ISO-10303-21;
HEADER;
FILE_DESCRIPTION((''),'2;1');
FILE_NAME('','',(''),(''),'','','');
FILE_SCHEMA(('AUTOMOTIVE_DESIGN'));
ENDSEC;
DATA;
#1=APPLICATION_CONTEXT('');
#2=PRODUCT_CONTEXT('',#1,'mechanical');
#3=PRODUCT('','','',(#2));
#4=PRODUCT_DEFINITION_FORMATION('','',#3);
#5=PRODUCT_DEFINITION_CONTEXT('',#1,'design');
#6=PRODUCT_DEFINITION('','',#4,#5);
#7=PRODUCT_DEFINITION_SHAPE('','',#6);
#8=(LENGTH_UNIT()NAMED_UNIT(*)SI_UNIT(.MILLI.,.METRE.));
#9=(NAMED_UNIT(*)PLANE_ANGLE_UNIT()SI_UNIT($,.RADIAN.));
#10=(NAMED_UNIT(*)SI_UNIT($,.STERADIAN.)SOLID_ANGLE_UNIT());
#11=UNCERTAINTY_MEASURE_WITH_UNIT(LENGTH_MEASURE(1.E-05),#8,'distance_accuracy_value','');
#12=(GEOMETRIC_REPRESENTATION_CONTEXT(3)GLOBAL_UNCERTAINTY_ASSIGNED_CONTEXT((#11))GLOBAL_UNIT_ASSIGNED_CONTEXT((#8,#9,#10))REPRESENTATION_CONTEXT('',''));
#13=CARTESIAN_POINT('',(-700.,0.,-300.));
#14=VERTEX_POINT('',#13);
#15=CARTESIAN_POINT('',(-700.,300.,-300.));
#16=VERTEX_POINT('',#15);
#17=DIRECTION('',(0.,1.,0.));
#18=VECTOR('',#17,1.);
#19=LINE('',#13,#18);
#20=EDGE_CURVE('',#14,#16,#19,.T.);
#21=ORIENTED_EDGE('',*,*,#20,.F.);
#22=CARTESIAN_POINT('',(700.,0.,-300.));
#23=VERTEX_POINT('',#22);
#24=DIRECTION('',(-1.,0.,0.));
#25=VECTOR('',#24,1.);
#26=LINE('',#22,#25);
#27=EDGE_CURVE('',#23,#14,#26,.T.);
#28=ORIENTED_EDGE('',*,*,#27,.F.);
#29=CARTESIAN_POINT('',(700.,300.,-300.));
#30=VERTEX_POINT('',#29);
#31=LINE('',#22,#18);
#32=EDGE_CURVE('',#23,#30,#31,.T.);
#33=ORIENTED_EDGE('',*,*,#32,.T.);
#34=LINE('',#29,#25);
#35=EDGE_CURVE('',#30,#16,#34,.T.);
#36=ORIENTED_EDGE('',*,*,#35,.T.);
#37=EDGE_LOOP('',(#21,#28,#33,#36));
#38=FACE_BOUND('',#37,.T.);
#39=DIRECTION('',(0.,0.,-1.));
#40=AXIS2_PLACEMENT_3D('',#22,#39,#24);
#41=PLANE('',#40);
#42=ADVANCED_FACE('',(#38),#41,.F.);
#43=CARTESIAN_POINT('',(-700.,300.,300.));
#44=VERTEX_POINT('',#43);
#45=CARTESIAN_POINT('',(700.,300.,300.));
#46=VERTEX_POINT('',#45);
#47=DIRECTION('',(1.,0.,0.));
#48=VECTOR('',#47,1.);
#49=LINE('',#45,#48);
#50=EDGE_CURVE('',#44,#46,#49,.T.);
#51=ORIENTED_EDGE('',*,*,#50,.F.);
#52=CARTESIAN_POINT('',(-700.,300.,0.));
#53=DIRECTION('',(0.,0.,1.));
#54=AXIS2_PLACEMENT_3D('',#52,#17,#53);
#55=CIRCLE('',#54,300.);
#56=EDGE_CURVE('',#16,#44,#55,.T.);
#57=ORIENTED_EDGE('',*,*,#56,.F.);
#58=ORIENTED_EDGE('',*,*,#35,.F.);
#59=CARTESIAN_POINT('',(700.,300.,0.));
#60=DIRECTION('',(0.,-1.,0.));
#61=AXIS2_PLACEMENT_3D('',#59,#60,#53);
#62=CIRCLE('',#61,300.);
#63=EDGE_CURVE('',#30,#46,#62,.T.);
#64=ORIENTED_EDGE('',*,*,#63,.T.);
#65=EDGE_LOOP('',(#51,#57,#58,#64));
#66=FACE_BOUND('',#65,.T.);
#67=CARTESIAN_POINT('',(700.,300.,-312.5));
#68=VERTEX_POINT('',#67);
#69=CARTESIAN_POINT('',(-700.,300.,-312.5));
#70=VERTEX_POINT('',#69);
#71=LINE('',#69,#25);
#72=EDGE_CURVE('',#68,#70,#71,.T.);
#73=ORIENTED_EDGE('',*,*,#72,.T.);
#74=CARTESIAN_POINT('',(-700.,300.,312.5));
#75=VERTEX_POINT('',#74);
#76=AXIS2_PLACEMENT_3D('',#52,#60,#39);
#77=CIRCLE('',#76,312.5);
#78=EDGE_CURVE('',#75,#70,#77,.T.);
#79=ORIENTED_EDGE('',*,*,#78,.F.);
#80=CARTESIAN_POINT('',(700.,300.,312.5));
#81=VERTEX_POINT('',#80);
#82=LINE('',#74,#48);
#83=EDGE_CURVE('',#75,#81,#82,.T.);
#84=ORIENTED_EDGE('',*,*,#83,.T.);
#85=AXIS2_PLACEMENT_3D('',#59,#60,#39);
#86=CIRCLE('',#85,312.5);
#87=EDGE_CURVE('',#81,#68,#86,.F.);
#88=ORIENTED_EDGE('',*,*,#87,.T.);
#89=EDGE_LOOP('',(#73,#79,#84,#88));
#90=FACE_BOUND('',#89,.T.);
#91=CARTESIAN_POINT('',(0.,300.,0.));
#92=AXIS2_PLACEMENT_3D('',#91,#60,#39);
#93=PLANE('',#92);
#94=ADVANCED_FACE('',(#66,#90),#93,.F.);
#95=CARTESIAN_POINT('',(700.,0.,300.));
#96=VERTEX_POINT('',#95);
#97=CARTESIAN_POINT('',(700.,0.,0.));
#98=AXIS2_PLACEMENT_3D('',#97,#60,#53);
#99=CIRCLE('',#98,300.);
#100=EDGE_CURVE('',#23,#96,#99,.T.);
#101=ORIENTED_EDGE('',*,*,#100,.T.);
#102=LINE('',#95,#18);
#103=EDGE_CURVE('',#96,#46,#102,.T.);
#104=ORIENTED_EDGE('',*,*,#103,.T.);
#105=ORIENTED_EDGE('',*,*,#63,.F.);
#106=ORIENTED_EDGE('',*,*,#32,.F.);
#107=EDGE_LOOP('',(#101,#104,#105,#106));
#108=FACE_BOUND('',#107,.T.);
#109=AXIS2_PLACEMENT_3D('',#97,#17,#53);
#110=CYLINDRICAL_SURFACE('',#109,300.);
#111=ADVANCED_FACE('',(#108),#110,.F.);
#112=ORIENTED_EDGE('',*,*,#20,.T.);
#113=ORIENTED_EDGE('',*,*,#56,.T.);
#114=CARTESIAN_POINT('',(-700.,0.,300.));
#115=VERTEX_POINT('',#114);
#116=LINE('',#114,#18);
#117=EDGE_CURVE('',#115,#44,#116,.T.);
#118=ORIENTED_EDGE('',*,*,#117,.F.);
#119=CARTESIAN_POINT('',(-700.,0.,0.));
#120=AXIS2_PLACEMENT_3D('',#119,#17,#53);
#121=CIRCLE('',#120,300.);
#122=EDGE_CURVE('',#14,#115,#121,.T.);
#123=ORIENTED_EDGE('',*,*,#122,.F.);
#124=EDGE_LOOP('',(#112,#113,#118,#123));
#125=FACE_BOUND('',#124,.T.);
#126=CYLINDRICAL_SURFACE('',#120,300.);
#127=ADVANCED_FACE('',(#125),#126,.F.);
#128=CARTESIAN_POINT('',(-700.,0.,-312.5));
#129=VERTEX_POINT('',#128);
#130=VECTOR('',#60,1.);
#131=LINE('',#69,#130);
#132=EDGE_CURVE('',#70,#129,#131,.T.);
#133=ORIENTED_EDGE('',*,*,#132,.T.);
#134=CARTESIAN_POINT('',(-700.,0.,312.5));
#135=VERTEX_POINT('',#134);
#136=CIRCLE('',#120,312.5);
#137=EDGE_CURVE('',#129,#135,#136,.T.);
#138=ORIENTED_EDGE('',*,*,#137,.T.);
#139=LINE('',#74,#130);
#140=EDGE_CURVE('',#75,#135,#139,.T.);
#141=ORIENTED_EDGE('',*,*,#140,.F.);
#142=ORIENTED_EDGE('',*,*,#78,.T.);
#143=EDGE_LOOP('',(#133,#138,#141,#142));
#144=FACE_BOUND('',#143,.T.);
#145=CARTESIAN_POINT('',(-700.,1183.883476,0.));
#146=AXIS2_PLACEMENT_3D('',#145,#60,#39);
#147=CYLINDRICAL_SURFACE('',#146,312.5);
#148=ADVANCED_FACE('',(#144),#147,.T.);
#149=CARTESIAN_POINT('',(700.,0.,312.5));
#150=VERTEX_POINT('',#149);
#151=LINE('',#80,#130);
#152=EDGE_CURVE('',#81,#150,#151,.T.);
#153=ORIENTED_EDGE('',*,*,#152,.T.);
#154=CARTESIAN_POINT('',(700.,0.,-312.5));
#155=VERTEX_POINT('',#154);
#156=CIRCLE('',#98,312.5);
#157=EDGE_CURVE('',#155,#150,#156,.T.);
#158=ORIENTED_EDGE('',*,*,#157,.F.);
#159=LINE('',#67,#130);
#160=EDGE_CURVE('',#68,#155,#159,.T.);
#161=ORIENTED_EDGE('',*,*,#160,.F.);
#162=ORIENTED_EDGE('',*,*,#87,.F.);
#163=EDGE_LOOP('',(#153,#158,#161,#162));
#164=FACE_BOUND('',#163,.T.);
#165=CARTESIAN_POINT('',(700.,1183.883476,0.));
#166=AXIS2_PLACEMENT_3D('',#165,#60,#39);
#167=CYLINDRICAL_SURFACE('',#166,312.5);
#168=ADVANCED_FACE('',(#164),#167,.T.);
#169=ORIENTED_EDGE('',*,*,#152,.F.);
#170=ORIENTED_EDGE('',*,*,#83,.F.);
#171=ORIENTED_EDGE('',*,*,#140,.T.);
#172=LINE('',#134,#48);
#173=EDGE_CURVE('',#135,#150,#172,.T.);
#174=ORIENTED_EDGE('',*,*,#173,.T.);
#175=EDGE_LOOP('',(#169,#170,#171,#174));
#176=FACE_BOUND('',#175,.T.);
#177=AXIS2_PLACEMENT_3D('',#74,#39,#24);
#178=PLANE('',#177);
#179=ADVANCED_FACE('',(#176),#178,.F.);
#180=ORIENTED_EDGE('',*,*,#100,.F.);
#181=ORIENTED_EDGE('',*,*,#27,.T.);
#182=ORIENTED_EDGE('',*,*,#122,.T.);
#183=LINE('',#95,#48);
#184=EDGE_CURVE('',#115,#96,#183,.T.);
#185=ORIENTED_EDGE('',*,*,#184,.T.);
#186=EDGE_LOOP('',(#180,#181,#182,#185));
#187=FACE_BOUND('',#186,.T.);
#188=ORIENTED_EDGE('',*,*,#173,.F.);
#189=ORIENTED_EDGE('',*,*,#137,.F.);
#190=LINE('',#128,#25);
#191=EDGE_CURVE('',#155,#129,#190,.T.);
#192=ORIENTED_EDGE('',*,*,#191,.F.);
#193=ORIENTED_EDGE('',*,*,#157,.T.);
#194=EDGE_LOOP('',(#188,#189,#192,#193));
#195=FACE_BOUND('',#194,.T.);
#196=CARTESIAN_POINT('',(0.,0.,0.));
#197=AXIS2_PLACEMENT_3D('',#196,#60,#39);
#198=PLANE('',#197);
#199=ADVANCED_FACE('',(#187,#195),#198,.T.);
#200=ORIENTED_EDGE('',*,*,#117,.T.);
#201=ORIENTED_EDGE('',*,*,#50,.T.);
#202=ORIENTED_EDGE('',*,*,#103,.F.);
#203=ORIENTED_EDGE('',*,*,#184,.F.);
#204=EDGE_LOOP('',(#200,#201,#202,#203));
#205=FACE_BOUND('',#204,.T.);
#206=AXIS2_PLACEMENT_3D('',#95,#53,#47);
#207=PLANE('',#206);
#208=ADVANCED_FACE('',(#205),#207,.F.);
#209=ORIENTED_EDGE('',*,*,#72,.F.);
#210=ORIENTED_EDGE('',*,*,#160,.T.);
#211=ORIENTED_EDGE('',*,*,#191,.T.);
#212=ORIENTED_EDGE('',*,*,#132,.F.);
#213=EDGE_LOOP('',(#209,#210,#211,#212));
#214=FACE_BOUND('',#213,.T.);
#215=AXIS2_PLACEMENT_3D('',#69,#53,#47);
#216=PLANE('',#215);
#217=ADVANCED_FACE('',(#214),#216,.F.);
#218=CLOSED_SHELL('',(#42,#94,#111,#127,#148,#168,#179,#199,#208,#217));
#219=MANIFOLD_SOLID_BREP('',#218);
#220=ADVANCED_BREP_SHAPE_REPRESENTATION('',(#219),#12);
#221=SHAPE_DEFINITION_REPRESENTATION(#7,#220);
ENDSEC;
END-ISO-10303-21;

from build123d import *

# Parameters (mm, degrees)
SKIZZE3_W                       = 1400
SKIZZE3_H                       = 625
AUFSATZ_LINEAR_AUSTRAGEN1_DEPTH = 300
SKIZZE4_R                       = 312.5
AUFSATZ_LINEAR_AUSTRAGEN2_DEPTH = 300
SKIZZE5_W                       = 1400
SKIZZE5_H                       = 600
SCHNITT_LINEAR_AUSTRAGEN1_DEPTH = 1102.277667076
SKIZZE6_R                       = 300
SCHNITT_LINEAR_AUSTRAGEN2_DEPTH = 1102.277667076


with BuildPart() as part:
    # Skizze3 → Aufsatz-Linear austragen1 (new body)
    with BuildSketch(Plane(origin=(0, 0, 0), x_dir=(1, 0, 0), z_dir=(0, 1, 0))):
        Rectangle(SKIZZE3_W, SKIZZE3_H)
    extrude(amount=AUFSATZ_LINEAR_AUSTRAGEN1_DEPTH)

    # Skizze4 → Aufsatz-Linear austragen2 (add)
    with BuildSketch(Plane(origin=(0, 0, 0), x_dir=(1, 0, 0), z_dir=(0, 1, 0))):
        with Locations((-700, 0)):
            Circle(SKIZZE4_R)
    aufsatz_linear_austragen2 = extrude(amount=AUFSATZ_LINEAR_AUSTRAGEN2_DEPTH)

    # Spiegeln1: Aufsatz-Linear austragen2 across plane
    add(aufsatz_linear_austragen2.mirror(Plane(origin=(0, 0, 0), x_dir=(0, 0, 1), z_dir=(1, 0, 0))))

    # Skizze5 → Schnitt-Linear austragen1 (cut, through all)
    with BuildSketch(Plane(origin=(0, 300, 0), x_dir=(1, 0, 0), z_dir=(0, 1, 0))):
        Rectangle(SKIZZE5_W, SKIZZE5_H)
    extrude(amount=-SCHNITT_LINEAR_AUSTRAGEN1_DEPTH, mode=Mode.SUBTRACT)

    # Skizze6 → Schnitt-Linear austragen2 (cut, through all)
    with BuildSketch(Plane(origin=(0, 300, 0), x_dir=(1, 0, 0), z_dir=(0, 1, 0))):
        with Locations((-700, 0)):
            Circle(SKIZZE6_R)
    schnitt_linear_austragen2 = extrude(amount=-SCHNITT_LINEAR_AUSTRAGEN2_DEPTH, mode=Mode.SUBTRACT)

    # Spiegeln2: Schnitt-Linear austragen2 across plane
    add(schnitt_linear_austragen2.mirror(Plane(origin=(0, 0, 0), x_dir=(0, 0, 1), z_dir=(1, 0, 0))), mode=Mode.SUBTRACT)


solid = part.part
